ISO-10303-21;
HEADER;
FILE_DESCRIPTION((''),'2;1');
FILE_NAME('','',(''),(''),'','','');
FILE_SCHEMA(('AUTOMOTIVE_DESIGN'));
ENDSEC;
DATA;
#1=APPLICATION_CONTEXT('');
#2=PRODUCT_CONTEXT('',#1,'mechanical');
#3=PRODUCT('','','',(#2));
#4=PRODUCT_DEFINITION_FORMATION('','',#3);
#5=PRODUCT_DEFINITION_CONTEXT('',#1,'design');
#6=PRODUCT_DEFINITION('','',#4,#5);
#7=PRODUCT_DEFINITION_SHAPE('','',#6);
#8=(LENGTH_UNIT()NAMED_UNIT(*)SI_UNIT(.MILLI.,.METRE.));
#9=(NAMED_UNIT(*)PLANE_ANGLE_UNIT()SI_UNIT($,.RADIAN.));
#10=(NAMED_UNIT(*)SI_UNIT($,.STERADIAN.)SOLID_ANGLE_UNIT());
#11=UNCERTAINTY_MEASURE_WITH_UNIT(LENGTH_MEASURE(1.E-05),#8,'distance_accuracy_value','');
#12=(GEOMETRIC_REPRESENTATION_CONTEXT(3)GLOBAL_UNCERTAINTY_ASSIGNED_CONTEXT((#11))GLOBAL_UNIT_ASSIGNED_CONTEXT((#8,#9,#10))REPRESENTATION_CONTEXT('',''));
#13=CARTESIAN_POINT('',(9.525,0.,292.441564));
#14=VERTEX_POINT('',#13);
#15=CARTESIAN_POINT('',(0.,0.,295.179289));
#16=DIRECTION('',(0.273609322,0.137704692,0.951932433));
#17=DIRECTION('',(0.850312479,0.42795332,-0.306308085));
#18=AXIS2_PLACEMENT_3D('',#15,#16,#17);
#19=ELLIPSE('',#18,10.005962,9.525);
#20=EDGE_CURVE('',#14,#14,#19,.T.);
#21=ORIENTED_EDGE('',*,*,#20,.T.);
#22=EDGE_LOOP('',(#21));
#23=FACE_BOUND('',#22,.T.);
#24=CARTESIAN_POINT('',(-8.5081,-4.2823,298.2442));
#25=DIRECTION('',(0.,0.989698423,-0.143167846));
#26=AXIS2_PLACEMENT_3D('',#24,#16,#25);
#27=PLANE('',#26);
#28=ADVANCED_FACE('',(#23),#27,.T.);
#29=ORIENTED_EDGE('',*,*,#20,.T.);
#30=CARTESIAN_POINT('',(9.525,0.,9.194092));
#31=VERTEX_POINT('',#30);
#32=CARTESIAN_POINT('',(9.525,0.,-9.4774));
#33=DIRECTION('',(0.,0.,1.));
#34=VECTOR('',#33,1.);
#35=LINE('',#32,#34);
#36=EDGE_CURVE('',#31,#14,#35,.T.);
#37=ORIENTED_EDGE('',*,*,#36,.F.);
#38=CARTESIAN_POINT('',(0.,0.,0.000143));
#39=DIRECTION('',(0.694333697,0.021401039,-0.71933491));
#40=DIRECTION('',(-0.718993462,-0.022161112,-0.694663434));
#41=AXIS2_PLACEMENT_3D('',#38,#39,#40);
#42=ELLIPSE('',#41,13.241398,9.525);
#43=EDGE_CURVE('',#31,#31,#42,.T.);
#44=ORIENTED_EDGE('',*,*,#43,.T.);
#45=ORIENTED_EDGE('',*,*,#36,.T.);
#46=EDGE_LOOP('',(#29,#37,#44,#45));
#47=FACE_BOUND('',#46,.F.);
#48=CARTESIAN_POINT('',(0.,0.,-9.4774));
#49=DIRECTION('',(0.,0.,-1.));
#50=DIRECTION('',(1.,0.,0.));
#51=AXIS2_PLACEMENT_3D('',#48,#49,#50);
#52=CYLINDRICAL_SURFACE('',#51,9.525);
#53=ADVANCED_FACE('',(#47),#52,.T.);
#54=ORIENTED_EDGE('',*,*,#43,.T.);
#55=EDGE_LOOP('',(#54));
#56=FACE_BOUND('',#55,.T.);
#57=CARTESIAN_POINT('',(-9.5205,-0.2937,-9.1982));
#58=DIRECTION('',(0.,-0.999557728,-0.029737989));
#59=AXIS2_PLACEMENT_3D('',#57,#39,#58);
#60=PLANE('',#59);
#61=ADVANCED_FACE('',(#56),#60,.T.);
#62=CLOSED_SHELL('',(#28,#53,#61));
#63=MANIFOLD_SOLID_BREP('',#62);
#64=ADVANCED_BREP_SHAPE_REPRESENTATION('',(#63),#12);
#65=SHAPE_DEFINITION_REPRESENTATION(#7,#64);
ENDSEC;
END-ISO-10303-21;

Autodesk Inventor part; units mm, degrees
ref_plane "Start Plane" through (0, 0, -9.4774) normal (0, 0, 1) x (1, 0, 0)
ref_plane "End Plane" through (0, 0, 299.2948) normal (0, 0, 1) x (1, 0, 0)
sketch "Sketch" plane through (0, 0, 0) normal (0, 0, 1) x (1, 0, 0)
  circle A0 centre (0, 0) radius 9.525
  dimension "d0" = 19.05
extrude "Body" add sketch "Sketch" along normal up to surface (308.7722 mm away) from surface at -9.4774
sketch "Sketch2" plane through (0, 0, 0) normal (0, 0, 1) x (1, 0, 0)
  line L0 (0, 0) -> (10, 0)
ref_plane "Work Plane3" through (0, 0, 0) normal (0, -1, 0) x (1, 0, 0)
ref_plane "Work Plane4" through (-9.5205, -0.2937, -9.1982) normal (0.6943, 0.0214, -0.7193) x (-0.7177, -0.053, -0.6943)
split "Split1" plane through (-9.5205, -0.2937, -9.1982) removes the side toward (0.6943, 0.0214, -0.7193)
ref_plane "Work Plane5" through (-8.5081, -4.2823, 298.2442) normal (0.2736, 0.1377, 0.9519) x (0.9617, -0.0193, -0.2736)
split "Split2" plane through (-8.5081, -4.2823, 298.2442) removes the side toward (0.2736, 0.1377, 0.9519)
sketch "Sketch3" plane through (0, 0, 0) normal (0, -1, 0) x (1, 0, 0)
  line L0 (-2, -9.4774) -> (12, -9.4774) projected
  line L1 (-2, 299.2948) -> (12, 299.2948) projected
  dimension "d7" = 308.7722
equation "\"d0\" = Diam"
equation "\"d1\" = G_L"
equation "\"Diam\" = 19.05"
equation "\"G_L\" = 307.4424"
equation "\"G_OFFSET_START\" = 9.47744"
equation "\"G_OFFSET_END\" = 4.11495"
equation "\"d4\" = -G_OFFSET_START"
equation "\"d5\" = G_OFFSET_END + B_L"
equation "\"B_L\" = 295.17982"
properties part number "ANSI/AISC Rolled Steel - 3/4-12.104, RB" material "Steel, Mild"
